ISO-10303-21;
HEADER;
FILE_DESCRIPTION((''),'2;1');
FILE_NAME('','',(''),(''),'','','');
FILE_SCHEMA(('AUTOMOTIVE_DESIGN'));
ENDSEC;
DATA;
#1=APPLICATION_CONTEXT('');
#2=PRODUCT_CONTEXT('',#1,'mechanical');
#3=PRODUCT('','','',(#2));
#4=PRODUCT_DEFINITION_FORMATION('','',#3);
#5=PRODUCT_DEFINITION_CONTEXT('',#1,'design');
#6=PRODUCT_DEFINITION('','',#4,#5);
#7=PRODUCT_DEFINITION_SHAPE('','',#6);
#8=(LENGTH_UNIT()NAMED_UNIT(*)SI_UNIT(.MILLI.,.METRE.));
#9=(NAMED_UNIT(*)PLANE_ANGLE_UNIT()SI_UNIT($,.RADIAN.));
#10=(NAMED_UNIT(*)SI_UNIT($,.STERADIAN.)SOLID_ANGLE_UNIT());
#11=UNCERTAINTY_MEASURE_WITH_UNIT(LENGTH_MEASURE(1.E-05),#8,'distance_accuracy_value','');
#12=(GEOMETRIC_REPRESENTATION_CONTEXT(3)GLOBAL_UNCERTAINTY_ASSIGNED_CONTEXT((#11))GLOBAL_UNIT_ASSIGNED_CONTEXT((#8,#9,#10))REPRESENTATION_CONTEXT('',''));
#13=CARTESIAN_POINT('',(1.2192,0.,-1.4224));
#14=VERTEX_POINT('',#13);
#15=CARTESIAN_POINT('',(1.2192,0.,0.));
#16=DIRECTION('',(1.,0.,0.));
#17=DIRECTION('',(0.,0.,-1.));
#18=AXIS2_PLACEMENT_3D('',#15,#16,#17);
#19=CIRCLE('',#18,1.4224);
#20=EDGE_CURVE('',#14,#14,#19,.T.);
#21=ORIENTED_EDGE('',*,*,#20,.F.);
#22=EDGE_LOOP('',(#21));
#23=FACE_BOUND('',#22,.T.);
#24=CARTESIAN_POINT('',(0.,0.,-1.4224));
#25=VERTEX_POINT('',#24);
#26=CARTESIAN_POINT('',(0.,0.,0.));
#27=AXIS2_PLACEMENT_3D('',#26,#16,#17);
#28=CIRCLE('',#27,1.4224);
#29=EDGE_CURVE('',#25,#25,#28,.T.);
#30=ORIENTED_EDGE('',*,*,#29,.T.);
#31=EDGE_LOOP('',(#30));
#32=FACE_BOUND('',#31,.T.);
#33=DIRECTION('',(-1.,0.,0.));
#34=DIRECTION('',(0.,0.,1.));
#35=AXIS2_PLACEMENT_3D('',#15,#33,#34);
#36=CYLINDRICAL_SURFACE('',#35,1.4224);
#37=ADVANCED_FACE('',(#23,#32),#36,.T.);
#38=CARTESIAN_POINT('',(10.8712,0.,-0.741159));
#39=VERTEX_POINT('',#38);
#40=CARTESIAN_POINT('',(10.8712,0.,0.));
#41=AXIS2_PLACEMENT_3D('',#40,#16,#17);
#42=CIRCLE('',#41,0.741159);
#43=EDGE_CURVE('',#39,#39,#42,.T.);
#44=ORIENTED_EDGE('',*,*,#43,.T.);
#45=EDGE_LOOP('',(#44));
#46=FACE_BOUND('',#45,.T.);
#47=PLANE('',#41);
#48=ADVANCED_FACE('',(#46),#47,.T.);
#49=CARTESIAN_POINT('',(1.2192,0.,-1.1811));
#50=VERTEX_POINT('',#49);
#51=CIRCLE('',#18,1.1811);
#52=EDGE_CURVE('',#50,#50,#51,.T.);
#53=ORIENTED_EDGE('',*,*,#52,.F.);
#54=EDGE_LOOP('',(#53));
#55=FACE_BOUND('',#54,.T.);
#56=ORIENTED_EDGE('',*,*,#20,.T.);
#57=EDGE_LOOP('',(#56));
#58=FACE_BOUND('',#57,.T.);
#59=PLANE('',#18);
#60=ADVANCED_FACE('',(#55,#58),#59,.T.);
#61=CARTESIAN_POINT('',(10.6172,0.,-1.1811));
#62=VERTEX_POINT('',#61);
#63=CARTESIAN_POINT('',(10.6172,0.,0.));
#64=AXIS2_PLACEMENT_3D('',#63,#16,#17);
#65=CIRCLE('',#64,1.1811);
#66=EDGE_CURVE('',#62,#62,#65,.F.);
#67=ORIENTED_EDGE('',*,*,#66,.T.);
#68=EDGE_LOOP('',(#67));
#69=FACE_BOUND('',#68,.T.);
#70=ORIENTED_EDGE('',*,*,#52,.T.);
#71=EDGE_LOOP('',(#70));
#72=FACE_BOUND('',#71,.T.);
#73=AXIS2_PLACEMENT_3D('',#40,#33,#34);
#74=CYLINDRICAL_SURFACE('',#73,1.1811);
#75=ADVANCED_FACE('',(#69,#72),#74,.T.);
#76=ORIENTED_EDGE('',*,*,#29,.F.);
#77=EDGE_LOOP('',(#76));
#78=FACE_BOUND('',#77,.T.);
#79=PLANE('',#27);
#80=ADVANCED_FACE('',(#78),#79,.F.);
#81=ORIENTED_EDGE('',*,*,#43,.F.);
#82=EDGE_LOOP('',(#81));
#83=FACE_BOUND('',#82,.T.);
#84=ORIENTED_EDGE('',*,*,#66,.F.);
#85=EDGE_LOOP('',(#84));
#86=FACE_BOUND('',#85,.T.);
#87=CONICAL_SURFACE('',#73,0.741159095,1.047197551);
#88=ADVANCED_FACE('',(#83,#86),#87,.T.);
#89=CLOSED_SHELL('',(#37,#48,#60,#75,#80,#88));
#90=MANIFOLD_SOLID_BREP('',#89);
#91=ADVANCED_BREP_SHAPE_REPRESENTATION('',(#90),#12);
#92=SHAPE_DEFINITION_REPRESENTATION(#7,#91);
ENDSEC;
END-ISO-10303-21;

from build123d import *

# Parameters (mm, degrees)
SKETCH1_R           = 1.4224
BOSS_EXTRUDE1_DEPTH = 1.2192
SKETCH2_R           = 1.1811
BOSS_EXTRUDE2_DEPTH = 9.652
CHAMFER1_SIZE       = 0.254
CHAMFER1_SIZE2      = 0.439940905


with BuildPart() as part:
    # Sketch1 → Boss-Extrude1 (new body)
    with BuildSketch(Plane(origin=(0, 0, 0), x_dir=(0, 0, -1), z_dir=(1, 0, 0))):
        Circle(SKETCH1_R)
    extrude(amount=BOSS_EXTRUDE1_DEPTH)

    # Sketch2 → Boss-Extrude2 (add)
    with BuildSketch(Plane(origin=(1.2192, 0, 0), x_dir=(0, 0, -1), z_dir=(1, 0, 0))):
        Circle(SKETCH2_R)
    extrude(amount=BOSS_EXTRUDE2_DEPTH)

    # Chamfer1
    chamfer1_edges = [part.edges().sort_by_distance(p)[0] for p in [
        (10.8712, 0, 1.1811),
    ]]
    chamfer1_side = [part.faces().sort_by_distance(p)[0] for p in [
        (6.0452, 0, 1.1811),
    ]]
    chamfer(chamfer1_edges, length=CHAMFER1_SIZE, length2=CHAMFER1_SIZE2, reference=chamfer1_side[0])


solid = part.part
